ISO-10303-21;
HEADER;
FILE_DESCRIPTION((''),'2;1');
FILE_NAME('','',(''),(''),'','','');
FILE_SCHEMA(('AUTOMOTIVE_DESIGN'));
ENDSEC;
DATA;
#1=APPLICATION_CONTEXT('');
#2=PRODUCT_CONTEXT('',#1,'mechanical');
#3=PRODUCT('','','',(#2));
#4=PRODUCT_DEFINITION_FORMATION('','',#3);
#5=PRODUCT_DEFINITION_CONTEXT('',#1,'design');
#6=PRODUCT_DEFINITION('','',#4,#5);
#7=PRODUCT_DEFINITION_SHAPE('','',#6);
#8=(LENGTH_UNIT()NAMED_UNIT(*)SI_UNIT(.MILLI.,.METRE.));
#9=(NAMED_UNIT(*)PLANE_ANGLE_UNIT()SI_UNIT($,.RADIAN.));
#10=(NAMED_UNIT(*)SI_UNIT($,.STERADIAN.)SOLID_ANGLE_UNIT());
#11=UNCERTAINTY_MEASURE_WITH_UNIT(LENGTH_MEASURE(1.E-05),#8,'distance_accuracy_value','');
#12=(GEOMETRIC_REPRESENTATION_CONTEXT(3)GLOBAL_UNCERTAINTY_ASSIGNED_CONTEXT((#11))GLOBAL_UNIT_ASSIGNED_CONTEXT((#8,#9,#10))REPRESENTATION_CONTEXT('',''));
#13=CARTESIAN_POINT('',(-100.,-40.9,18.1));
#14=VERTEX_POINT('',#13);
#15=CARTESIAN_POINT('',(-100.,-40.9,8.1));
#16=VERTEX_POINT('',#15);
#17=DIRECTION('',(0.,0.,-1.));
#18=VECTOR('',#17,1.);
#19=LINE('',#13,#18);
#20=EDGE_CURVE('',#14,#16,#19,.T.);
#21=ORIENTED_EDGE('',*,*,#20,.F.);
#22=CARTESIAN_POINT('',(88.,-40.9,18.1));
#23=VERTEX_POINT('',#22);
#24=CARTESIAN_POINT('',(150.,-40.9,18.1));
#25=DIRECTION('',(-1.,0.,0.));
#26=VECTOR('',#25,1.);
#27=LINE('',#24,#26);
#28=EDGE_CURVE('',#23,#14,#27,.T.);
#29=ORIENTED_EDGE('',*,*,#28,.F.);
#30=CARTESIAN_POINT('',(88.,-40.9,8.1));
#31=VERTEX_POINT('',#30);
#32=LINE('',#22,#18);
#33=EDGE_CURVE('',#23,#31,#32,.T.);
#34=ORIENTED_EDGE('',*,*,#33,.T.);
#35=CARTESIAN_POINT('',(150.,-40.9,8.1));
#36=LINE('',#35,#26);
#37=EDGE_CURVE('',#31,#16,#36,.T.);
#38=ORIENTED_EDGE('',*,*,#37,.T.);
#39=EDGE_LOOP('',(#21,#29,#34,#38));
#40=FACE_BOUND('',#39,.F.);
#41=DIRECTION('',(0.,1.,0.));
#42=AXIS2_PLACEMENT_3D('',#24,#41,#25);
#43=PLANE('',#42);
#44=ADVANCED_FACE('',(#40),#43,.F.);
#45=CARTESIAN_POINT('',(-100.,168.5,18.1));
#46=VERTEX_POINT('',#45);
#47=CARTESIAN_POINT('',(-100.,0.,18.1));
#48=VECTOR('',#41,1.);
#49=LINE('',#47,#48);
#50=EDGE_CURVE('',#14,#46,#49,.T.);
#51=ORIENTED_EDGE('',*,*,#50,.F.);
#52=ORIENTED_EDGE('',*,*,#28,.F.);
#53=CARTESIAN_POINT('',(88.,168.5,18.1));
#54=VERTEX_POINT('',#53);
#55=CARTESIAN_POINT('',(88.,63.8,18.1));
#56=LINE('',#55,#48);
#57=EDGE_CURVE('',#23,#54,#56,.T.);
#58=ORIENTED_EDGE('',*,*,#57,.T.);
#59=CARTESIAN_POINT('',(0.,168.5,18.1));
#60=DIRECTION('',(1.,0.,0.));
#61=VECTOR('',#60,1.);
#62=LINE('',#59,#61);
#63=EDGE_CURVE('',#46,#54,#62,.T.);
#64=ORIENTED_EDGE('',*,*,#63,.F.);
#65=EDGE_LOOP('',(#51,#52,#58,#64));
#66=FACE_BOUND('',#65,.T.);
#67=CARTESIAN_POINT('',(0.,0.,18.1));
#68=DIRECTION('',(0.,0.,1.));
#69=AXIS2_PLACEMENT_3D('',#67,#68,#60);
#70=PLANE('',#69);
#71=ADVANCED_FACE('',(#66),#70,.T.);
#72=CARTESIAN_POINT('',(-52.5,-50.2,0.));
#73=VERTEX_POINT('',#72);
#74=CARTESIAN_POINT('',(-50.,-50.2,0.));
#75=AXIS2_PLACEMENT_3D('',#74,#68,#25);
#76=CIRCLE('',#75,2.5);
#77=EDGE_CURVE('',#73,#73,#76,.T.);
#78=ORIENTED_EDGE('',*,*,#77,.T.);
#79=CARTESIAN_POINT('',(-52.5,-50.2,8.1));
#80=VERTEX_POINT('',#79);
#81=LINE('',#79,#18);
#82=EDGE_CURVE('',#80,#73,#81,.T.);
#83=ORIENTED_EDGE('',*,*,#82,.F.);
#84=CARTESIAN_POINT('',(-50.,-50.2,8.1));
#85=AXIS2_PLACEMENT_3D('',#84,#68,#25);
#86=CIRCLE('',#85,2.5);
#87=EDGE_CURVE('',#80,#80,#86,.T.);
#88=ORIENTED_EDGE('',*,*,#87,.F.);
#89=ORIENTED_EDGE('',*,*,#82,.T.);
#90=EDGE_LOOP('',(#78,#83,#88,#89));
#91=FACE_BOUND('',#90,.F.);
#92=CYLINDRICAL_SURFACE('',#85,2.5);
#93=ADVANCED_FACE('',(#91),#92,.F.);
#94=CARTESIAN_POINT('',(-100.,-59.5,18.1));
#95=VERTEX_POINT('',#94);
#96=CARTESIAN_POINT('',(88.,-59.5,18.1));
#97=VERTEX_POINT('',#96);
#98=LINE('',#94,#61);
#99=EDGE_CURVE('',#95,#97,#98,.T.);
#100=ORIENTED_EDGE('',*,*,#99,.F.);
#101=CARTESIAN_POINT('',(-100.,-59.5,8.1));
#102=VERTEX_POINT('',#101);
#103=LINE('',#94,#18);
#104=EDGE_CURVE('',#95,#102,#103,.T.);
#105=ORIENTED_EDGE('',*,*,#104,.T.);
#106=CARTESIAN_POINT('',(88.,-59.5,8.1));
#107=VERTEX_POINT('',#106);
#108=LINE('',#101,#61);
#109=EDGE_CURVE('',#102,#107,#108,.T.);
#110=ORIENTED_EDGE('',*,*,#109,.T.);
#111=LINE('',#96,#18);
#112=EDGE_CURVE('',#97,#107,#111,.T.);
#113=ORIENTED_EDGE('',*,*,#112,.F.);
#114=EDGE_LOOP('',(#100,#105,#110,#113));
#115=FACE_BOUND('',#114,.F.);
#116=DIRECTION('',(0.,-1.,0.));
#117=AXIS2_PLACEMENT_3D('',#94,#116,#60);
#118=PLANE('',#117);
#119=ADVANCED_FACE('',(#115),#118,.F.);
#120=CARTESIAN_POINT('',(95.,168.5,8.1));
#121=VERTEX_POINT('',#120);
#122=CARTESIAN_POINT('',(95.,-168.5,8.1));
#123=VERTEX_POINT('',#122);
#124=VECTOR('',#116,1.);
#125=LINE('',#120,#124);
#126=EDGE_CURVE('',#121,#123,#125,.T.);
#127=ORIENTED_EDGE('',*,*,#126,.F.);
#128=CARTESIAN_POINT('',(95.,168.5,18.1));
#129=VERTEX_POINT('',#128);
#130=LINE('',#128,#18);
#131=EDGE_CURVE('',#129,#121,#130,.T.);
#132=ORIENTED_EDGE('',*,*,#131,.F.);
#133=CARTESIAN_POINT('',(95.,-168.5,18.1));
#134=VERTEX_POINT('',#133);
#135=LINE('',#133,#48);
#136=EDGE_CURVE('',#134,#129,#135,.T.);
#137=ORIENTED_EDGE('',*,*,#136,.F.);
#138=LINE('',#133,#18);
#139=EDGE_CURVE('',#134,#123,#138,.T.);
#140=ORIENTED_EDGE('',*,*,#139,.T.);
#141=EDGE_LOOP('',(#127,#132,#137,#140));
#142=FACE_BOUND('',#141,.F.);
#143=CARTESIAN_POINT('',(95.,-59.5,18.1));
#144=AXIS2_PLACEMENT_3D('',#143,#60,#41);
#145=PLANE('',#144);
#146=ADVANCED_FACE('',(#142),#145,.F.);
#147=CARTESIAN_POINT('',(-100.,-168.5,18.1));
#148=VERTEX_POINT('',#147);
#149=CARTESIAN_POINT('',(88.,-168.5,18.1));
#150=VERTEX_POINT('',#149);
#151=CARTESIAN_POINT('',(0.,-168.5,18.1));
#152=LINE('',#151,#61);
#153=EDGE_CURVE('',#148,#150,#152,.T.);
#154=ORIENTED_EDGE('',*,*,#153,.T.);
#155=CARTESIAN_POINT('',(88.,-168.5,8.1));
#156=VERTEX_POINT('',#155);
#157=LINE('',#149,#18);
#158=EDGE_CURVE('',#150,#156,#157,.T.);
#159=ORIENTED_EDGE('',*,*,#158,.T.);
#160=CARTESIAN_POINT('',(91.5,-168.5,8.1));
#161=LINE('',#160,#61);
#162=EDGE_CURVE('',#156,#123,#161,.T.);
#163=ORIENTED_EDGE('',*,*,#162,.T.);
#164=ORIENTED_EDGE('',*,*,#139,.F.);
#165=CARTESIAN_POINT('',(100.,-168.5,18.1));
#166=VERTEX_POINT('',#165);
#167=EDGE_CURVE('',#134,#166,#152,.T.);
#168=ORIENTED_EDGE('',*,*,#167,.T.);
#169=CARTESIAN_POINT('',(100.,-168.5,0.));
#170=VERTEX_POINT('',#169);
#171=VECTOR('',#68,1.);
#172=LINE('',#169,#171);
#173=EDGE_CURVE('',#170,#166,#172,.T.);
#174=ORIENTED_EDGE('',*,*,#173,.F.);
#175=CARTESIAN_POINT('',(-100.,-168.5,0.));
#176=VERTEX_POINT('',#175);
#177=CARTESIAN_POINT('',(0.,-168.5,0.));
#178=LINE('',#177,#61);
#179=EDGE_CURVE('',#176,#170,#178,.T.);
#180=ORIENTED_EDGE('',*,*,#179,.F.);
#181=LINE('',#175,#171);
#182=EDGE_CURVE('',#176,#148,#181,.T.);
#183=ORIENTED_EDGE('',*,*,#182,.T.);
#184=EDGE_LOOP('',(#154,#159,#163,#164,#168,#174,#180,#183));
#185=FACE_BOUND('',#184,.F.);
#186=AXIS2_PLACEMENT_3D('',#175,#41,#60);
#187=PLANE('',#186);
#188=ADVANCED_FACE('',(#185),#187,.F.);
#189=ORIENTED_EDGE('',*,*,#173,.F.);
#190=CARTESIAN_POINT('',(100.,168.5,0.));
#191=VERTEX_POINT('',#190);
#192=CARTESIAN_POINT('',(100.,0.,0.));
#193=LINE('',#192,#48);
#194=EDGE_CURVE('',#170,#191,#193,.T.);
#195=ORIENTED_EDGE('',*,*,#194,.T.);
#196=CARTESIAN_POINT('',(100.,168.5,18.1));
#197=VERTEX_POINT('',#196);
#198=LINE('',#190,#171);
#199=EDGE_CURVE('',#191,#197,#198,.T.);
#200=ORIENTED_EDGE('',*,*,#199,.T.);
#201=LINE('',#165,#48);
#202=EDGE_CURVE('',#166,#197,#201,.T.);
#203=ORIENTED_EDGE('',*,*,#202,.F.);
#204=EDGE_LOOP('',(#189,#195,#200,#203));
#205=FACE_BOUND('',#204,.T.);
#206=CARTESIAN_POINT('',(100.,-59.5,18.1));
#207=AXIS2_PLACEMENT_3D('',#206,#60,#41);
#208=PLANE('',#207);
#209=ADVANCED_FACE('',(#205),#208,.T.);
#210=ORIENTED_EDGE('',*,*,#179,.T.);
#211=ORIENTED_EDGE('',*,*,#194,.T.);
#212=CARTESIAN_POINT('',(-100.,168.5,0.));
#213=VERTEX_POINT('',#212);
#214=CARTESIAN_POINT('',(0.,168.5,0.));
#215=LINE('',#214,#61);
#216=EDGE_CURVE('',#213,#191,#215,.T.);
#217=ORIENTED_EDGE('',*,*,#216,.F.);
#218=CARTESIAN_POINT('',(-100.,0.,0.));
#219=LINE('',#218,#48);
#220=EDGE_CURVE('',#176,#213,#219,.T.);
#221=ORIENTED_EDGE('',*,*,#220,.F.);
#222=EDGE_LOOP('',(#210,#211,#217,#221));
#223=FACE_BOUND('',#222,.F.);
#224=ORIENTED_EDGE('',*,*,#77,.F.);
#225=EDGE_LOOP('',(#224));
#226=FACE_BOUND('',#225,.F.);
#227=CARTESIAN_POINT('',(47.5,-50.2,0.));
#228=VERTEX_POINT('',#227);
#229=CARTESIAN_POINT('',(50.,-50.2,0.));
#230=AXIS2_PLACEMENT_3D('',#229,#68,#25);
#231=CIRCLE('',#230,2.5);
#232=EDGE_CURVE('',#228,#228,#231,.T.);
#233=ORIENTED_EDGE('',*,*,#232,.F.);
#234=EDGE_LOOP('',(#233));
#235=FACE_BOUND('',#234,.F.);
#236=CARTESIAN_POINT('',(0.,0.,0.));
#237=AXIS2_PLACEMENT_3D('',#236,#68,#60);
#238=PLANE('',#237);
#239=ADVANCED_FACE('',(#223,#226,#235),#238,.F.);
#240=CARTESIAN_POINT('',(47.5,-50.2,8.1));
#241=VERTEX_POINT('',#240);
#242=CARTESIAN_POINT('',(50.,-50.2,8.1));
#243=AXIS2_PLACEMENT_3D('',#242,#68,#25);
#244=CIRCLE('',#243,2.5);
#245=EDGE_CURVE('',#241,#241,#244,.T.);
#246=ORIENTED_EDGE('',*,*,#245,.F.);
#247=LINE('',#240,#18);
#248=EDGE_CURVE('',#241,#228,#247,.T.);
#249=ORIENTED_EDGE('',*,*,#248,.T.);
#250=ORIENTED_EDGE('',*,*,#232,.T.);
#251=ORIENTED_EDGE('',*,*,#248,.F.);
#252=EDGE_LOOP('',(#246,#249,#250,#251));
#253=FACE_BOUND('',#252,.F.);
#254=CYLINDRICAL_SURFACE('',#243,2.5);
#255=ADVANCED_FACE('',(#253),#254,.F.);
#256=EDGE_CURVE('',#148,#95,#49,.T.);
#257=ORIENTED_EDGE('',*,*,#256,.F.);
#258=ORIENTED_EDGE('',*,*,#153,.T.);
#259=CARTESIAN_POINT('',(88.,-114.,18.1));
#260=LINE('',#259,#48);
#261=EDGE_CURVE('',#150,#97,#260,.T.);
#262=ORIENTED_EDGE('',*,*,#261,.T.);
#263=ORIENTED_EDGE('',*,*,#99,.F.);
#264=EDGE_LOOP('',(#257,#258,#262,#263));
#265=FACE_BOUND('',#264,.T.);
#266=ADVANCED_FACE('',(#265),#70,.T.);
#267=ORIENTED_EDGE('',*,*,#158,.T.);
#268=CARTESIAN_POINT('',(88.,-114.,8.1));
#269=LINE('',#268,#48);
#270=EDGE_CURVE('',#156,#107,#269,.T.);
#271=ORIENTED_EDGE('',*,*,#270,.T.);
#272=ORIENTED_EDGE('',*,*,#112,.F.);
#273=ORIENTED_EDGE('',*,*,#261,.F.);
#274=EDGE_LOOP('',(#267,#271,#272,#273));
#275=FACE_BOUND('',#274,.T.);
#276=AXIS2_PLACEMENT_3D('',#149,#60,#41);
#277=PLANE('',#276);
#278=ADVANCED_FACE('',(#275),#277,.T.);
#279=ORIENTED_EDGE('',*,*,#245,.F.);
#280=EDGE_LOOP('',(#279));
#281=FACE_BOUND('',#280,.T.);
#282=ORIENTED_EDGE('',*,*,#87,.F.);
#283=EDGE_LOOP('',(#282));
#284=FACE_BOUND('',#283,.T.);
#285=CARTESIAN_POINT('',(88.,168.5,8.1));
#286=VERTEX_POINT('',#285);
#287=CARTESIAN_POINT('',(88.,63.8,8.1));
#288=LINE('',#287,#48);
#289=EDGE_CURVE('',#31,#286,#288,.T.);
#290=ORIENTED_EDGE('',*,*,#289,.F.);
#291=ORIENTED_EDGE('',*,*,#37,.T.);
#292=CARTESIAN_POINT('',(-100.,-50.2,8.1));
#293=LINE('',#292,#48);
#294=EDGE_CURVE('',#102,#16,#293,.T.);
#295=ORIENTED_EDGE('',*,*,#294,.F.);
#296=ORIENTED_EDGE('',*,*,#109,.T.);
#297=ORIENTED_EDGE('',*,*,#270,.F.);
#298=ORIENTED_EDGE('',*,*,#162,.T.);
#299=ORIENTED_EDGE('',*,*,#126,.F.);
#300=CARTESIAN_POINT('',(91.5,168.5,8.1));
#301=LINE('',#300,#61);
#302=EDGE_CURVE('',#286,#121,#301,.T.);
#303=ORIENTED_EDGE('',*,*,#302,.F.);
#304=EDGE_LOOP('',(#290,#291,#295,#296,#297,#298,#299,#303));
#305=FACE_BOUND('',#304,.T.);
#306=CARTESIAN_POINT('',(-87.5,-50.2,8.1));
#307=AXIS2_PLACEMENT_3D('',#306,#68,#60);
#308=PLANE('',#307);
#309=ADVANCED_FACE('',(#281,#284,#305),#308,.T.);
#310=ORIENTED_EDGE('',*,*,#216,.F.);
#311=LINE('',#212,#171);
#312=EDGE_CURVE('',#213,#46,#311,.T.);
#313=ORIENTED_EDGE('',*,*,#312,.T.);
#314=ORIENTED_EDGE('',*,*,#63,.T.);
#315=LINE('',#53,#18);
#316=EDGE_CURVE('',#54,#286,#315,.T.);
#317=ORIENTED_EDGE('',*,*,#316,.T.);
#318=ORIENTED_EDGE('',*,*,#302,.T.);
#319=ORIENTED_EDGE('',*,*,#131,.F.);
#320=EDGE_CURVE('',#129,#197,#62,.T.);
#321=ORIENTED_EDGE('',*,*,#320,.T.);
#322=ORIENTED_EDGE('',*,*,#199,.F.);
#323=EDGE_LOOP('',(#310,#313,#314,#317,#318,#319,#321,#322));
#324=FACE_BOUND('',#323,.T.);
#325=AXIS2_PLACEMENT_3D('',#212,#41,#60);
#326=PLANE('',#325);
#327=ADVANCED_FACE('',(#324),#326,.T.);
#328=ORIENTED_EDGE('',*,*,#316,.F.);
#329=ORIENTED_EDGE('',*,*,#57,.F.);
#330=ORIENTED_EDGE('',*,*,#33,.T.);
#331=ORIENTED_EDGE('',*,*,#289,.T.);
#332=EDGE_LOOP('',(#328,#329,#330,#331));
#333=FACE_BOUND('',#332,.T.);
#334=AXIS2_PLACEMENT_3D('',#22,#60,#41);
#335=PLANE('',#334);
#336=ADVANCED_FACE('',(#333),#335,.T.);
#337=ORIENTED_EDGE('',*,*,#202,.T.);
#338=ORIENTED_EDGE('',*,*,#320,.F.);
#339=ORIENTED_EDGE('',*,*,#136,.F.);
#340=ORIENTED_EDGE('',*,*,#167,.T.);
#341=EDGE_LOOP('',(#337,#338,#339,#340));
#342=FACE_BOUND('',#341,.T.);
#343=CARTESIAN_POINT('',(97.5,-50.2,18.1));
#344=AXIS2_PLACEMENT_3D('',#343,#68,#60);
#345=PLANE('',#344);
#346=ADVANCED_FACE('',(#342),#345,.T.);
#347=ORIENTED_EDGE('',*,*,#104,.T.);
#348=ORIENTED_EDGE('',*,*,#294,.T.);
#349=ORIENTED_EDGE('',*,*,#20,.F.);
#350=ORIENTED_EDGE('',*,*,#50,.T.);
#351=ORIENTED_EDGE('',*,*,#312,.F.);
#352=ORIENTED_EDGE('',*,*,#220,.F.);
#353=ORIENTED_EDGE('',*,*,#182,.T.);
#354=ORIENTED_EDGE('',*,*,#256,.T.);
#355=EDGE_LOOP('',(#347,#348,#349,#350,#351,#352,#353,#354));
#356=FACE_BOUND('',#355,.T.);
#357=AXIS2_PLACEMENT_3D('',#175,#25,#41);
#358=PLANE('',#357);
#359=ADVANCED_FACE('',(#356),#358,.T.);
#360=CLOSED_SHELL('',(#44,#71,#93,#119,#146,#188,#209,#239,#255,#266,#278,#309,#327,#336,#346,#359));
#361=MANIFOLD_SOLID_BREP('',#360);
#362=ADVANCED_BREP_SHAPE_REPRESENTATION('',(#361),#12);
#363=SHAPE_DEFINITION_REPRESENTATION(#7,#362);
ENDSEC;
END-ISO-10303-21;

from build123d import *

# Parameters (mm, degrees)
F0_W      = 200
F0_H      = 337
F1_DEPTH  = 18.1
F2_W      = 25
F2_H      = 18.6
F2_W_2    = 150
F3_DEPTH  = 10
F5_DEPTH  = 25
F7_W      = 7
F7_H      = 109
F6_W      = 7
F6_H      = 209.4
F8_DEPTH  = 10
F9_W      = 5
F9_H      = 18.6
F10_DEPTH = 15.1


with BuildPart() as f1:
    # F0 (on Top) → F1 (new body)
    with BuildSketch(Plane.XY):
        Rectangle(F0_W, F0_H)
    extrude(amount=F1_DEPTH)

    # F2 (on face) → F3 (cut)
    with BuildSketch(Plane.XY.offset(18.1)):
        with Locations((-87.5, -50.2)):
            Rectangle(F2_W, F2_H)
        with Locations((-62.5, -50.2)):
            Rectangle(F2_W, F2_H)
        with Locations((25, -50.2)):
            Rectangle(F2_W_2, F2_H)
        with Locations((112.5, -50.2)):
            Rectangle(F2_W, F2_H)
        with Locations((137.5, -50.2)):
            Rectangle(F2_W, F2_H)
    extrude(amount=-F3_DEPTH, mode=Mode.SUBTRACT)

    # F4 (on face) → F5 (cut)
    with BuildSketch(Plane.XY.offset(8.1)):
        with BuildLine():
            Line((-52.5, -50.2), (-50, -50.2))
            Line((-50, -50.2), (-47.5, -50.2))
            ThreePointArc((-47.5, -50.2), (-50, -47.7), (-52.5, -50.2))
        make_face()
        with BuildLine():
            Line((-47.5, -50.2), (-50, -50.2))
            Line((-50, -50.2), (-52.5, -50.2))
            ThreePointArc((-52.5, -50.2), (-50, -52.7), (-47.5, -50.2))
        make_face()
        with BuildLine():
            ThreePointArc((52.5, -50.2), (50, -47.7), (47.5, -50.2))
            Line((47.5, -50.2), (50, -50.2))
            Line((50, -50.2), (52.5, -50.2))
        make_face()
        with BuildLine():
            Line((50, -50.2), (47.5, -50.2))
            ThreePointArc((47.5, -50.2), (50, -52.7), (52.5, -50.2))
            Line((52.5, -50.2), (50, -50.2))
        make_face()
    extrude(amount=-F5_DEPTH, mode=Mode.SUBTRACT)

    # F7 (on face) + F6 (on face) → F8 (cut)
    with BuildSketch(Plane.XY.offset(18.1)):
        with Locations((91.5, -114)):
            Rectangle(F7_W, F7_H)
    with BuildSketch(Plane.XY.offset(18.1)):
        with Locations((91.5, 63.8)):
            Rectangle(F6_W, F6_H)
    extrude(amount=-F8_DEPTH, mode=Mode.SUBTRACT)

    # F9 (on face) → F10 (join)
    with BuildSketch(Plane.XY.offset(18.1)):
        with Locations((97.5, -50.2)):
            Rectangle(F9_W, F9_H)
    extrude(amount=-F10_DEPTH)


solid = f1.part
